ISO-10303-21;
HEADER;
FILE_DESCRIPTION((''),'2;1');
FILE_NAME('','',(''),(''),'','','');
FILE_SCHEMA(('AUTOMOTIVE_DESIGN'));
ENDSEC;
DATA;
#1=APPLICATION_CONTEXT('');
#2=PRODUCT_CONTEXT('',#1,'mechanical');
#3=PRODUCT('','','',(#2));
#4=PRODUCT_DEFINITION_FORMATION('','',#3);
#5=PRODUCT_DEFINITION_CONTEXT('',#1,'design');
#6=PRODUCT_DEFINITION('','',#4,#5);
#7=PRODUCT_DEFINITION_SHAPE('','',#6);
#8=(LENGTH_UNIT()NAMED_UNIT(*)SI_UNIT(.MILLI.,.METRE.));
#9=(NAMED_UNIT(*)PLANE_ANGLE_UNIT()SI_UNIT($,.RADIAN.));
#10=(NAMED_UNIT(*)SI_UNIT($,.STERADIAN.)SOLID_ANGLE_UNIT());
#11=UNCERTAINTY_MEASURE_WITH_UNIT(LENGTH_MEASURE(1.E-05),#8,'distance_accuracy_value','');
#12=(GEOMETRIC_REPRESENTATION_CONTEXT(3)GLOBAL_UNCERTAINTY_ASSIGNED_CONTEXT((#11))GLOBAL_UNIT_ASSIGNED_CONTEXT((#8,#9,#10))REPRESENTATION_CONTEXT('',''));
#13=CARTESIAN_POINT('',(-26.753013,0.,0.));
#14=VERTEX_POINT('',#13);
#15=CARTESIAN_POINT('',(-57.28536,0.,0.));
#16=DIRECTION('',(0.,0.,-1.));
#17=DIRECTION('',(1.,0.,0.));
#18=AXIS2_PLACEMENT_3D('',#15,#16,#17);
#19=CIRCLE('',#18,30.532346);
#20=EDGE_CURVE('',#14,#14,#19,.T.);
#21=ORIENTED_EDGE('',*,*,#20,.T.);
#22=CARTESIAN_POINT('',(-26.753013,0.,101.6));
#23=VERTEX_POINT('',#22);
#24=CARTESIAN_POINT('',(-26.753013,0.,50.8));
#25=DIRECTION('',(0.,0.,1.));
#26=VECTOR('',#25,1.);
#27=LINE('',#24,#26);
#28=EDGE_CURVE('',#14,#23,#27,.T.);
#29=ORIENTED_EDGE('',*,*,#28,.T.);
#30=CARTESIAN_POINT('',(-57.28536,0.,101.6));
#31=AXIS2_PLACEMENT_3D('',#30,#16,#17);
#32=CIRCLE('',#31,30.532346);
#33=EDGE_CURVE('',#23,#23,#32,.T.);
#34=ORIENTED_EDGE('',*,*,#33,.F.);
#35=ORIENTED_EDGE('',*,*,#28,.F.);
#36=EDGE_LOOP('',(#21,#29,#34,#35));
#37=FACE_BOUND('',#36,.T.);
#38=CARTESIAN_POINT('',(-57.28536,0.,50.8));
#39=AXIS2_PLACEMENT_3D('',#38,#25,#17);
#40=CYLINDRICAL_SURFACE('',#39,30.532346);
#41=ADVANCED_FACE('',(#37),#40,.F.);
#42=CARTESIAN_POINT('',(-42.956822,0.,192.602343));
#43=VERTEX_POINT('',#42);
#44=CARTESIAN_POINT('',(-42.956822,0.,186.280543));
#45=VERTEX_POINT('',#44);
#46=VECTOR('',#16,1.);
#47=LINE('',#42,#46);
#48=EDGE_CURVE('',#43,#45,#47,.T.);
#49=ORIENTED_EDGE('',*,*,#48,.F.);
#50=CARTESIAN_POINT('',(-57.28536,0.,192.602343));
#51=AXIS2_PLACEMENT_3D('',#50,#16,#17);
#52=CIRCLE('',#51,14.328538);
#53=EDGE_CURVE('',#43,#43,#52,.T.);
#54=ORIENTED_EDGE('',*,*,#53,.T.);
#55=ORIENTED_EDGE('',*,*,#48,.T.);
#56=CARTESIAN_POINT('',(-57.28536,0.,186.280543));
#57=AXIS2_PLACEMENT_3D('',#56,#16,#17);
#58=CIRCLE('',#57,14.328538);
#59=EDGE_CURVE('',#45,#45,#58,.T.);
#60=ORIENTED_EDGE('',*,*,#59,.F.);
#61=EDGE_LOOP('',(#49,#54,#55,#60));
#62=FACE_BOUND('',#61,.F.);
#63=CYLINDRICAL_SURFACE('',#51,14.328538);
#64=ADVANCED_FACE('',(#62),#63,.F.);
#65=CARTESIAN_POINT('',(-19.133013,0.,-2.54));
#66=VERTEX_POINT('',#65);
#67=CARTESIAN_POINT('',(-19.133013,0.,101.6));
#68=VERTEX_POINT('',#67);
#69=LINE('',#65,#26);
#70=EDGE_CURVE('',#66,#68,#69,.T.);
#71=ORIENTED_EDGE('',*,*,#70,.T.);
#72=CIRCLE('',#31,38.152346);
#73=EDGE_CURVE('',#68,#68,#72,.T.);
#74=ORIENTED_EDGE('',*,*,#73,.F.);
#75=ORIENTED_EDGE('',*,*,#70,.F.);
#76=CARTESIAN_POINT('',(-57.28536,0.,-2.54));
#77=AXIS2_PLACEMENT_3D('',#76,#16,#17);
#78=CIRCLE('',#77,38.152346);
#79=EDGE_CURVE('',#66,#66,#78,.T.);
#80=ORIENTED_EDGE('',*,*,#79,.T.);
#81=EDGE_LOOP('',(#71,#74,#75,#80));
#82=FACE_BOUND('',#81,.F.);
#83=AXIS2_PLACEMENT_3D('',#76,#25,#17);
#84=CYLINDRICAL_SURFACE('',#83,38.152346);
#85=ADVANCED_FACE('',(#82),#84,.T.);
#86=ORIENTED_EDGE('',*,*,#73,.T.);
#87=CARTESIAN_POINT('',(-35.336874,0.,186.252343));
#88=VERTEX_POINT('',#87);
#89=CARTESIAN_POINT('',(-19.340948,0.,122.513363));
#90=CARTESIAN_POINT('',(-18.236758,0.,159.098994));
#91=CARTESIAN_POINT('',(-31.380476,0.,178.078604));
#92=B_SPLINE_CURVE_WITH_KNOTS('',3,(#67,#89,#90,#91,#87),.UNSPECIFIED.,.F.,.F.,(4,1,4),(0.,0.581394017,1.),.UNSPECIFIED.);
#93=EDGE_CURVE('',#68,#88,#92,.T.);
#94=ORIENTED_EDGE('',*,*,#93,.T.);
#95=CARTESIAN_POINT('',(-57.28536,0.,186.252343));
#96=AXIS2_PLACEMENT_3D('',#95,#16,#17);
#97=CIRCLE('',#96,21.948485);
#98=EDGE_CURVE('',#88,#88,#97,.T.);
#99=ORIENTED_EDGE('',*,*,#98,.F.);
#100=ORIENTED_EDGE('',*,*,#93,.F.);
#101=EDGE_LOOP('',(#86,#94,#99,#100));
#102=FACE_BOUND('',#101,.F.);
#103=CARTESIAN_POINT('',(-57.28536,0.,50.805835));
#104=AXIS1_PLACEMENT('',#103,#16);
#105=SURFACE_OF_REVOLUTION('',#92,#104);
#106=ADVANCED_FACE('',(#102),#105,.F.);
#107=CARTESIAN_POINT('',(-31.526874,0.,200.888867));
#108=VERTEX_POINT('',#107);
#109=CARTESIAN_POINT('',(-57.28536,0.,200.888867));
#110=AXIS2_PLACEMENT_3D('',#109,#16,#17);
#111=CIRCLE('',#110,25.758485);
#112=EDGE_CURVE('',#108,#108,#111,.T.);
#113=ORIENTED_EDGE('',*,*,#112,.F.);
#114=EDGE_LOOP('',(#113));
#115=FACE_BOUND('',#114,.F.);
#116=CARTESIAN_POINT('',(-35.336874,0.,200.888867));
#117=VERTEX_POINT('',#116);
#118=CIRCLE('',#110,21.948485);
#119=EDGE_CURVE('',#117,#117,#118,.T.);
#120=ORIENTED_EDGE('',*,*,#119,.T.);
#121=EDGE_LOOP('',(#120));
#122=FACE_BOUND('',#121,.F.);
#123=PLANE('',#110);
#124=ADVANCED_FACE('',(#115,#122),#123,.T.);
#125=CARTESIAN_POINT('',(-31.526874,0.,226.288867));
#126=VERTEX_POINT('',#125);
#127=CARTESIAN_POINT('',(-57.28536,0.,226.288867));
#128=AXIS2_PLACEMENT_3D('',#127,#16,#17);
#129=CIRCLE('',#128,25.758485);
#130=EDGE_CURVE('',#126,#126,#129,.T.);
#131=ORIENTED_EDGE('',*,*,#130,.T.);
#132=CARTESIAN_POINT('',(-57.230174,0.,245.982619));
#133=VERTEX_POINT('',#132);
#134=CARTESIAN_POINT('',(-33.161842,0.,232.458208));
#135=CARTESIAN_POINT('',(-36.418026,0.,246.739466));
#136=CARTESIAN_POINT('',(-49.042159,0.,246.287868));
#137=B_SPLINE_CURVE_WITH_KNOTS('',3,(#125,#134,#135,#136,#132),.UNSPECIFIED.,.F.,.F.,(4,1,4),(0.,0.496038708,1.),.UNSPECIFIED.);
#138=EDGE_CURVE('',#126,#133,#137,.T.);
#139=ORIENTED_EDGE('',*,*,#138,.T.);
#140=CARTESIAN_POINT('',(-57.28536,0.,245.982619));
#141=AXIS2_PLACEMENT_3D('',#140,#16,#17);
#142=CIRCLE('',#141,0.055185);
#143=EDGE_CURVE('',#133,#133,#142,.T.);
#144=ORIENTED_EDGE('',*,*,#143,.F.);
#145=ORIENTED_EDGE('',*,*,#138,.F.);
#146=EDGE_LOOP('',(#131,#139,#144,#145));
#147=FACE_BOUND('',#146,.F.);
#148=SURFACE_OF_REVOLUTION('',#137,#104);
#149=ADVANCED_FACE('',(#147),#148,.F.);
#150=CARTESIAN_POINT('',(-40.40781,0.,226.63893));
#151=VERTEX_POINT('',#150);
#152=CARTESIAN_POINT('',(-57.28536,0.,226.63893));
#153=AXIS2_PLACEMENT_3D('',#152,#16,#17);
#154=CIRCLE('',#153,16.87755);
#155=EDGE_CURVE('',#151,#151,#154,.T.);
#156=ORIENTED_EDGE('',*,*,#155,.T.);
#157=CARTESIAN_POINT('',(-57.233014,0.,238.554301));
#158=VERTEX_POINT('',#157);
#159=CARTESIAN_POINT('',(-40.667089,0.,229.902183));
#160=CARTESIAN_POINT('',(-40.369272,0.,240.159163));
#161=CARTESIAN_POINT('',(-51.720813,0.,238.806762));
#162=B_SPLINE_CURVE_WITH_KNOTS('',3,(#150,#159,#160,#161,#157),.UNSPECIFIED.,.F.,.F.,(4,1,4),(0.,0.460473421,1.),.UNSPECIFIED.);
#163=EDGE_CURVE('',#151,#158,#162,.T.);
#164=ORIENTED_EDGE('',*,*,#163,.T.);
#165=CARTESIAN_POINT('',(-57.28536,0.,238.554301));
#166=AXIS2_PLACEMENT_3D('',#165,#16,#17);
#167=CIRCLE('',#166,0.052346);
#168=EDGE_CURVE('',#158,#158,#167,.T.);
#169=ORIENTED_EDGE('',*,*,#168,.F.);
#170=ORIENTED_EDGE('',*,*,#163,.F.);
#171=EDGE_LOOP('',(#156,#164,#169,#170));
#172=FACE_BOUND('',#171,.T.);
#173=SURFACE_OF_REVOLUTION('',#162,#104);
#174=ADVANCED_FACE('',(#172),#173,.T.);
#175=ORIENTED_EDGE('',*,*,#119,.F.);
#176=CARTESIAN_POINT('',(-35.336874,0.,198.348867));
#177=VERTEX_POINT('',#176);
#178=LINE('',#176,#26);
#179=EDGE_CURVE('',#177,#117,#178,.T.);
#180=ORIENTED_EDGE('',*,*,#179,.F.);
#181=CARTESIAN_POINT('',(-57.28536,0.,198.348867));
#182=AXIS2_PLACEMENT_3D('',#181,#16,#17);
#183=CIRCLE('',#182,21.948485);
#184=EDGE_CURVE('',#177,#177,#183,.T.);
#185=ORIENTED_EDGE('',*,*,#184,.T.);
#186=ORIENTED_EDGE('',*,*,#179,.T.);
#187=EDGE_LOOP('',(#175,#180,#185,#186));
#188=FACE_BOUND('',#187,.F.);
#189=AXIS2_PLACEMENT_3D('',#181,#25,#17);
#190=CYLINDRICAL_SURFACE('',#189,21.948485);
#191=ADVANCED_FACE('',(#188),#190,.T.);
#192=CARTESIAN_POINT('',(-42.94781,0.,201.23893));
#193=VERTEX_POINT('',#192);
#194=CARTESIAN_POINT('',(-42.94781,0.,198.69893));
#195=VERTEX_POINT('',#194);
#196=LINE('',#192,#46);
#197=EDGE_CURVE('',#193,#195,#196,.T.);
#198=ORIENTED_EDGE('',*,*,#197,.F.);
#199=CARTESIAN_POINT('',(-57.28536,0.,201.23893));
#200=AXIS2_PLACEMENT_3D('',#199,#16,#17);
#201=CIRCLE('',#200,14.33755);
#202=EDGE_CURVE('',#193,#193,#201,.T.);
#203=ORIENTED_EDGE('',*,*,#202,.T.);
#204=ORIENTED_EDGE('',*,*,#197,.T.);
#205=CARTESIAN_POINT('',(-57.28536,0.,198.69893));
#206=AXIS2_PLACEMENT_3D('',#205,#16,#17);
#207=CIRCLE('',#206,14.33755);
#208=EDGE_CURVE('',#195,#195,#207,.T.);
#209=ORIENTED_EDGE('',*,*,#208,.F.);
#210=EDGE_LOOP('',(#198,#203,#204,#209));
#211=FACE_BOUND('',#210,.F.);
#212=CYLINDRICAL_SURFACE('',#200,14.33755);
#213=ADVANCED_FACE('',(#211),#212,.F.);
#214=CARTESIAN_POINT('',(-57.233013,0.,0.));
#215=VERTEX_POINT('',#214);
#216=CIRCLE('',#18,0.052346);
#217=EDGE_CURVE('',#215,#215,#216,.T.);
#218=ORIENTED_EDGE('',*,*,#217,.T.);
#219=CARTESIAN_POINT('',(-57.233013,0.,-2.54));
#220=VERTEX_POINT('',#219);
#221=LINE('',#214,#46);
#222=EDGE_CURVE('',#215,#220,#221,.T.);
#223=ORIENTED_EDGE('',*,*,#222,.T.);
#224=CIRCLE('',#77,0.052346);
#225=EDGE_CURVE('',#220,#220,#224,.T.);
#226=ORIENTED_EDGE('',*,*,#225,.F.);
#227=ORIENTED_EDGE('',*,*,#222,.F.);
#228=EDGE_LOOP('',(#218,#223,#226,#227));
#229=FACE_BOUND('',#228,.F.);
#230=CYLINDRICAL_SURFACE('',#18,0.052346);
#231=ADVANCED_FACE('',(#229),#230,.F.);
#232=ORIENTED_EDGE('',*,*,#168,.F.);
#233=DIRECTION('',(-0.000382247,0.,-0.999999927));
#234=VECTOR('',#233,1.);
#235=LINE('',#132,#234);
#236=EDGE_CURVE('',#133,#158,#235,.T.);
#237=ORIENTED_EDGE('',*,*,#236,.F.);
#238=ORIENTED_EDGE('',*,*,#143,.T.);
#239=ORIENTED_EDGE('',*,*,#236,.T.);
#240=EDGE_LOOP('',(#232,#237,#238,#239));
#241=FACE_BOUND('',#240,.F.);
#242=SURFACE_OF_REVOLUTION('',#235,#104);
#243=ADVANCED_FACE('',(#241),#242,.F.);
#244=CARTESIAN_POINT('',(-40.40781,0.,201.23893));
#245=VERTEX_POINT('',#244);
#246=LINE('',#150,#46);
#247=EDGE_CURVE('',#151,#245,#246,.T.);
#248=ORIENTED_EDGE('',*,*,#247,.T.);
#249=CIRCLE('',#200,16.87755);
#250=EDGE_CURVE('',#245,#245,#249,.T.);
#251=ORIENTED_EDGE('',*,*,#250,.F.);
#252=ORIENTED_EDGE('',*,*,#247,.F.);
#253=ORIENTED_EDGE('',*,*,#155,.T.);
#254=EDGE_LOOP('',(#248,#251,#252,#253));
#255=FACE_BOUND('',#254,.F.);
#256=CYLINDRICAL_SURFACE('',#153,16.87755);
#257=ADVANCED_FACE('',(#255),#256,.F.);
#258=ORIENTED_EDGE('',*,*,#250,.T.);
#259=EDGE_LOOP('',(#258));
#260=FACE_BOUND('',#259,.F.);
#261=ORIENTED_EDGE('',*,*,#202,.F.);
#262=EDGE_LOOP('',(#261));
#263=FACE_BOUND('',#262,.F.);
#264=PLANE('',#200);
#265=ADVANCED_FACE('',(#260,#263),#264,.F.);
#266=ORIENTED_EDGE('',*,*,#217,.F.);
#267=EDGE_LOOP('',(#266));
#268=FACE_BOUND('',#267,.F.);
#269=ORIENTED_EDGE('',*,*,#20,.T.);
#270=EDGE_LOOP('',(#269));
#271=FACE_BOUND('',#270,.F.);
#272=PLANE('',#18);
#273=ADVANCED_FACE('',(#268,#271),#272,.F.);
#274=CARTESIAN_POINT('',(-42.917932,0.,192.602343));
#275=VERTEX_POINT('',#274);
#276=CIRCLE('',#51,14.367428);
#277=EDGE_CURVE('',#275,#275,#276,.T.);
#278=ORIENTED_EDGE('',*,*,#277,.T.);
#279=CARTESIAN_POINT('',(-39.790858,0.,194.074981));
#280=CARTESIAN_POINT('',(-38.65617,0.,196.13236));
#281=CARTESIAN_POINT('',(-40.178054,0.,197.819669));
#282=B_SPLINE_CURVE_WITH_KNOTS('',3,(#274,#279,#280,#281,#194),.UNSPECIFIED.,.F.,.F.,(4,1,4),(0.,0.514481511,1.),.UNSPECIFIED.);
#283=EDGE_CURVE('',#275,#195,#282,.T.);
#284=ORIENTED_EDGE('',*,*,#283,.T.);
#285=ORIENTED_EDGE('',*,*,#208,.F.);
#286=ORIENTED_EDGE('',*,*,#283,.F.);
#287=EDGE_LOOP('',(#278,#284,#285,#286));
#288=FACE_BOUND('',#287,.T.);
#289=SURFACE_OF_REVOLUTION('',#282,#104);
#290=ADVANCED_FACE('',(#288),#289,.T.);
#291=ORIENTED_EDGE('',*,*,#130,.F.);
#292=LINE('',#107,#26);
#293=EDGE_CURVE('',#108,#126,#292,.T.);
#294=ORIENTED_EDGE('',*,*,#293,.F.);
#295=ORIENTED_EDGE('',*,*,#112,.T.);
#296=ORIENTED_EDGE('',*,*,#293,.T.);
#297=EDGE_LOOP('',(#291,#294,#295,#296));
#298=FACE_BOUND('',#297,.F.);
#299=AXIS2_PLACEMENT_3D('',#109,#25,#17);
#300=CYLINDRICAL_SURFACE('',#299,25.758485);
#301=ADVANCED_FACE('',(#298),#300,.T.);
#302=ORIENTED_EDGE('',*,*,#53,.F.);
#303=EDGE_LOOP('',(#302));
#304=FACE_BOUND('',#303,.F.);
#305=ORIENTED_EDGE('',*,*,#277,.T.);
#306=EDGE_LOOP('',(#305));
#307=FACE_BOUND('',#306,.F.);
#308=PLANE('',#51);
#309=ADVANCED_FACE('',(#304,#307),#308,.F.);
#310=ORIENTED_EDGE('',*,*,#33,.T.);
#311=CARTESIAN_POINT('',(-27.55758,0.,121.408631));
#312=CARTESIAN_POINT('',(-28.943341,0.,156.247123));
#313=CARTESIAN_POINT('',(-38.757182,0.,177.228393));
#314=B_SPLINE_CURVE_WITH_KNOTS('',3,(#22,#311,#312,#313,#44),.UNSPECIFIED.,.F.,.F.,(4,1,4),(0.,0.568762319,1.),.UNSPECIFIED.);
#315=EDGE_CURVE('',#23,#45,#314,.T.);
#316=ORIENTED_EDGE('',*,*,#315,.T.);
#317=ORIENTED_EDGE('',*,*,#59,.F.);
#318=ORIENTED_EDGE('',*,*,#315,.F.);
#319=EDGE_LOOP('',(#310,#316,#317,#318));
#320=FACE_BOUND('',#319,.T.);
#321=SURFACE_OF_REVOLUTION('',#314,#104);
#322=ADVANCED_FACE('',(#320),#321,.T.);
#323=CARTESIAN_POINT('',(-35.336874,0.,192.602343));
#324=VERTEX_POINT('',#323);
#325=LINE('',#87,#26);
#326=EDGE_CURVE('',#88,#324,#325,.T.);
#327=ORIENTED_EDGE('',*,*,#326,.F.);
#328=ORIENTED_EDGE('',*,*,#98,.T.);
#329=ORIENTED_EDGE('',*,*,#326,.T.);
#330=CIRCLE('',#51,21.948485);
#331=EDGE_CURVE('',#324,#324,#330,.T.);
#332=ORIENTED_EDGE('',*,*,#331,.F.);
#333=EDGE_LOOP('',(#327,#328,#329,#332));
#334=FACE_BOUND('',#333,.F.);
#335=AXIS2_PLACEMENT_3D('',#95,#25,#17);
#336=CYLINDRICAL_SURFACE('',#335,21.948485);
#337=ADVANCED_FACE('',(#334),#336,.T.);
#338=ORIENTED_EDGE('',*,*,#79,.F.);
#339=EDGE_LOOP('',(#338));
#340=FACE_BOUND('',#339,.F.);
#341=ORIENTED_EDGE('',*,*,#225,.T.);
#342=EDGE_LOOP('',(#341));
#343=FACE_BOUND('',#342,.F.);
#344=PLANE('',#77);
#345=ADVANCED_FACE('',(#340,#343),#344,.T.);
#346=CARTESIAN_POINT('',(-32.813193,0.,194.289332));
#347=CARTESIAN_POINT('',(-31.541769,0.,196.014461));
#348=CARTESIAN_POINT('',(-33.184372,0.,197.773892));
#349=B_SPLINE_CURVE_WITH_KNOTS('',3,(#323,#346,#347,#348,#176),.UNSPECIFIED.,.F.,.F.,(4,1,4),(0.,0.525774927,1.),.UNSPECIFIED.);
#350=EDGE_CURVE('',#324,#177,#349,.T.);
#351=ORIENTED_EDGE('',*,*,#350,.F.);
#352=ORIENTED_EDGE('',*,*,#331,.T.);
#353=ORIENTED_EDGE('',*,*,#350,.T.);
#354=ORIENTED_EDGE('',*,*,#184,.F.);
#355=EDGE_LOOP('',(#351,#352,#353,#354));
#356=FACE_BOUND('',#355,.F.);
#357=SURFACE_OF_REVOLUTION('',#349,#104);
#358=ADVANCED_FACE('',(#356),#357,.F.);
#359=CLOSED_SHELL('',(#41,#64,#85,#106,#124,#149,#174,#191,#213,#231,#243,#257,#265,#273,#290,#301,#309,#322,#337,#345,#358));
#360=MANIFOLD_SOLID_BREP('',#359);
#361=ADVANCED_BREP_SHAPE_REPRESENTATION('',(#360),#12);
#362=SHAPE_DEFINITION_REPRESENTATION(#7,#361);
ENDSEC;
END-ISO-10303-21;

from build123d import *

# Parameters (mm, degrees)
F0_W = 7.62
F0_H = 101.6


with BuildPart() as f1:
    # F0 (on Front) → F1 (revolve)
    with BuildSketch(Plane.XZ):
        Polygon((-19.1330132127, -2.54), (-19.1330132127, 0), (-26.7530132127, 0), (-57.2330132127, 0), (-57.2330132127, -2.54), align=None)
        with BuildLine():
            Line((-42.9179315076, 192.6023430765), (-35.3368741839, 192.6023430765))
            add(Edge.make_bspline(
                [(-35.3368741839, 192.6023430765), (-32.8131928146, 194.2893316173), (-31.541768763, 196.0144606234), (-33.1843715155, 197.773891592), (-35.3368741839, 198.3488668733)],
                knots=[0, 0, 0, 0, 0.5257749267, 1, 1, 1, 1], degree=3))
            Line((-35.3368741839, 198.3488668733), (-35.3368741839, 200.8888668733))
            Line((-35.3368741839, 200.8888668733), (-31.5268741839, 200.8888668733))
            Line((-31.5268741839, 200.8888668733), (-31.5268741839, 226.2888668733))
            add(Edge.make_bspline(
                [(-31.5268741839, 226.2888668733), (-33.1618418293, 232.4582076523), (-36.4180263095, 246.7394663346), (-49.0421594933, 246.2878677466), (-57.2301743011, 245.9826194798)],
                knots=[0, 0, 0, 0, 0.4960387081, 1, 1, 1, 1], degree=3))
            Line((-57.2301743011, 245.9826194798), (-57.2330137536, 238.5543014282))
            add(Edge.make_bspline(
                [(-40.4078099513, 226.6389302265), (-40.6670888955, 229.9021829147), (-40.3692718132, 240.1591629671), (-51.7208132672, 238.8067618513), (-57.2330137536, 238.5543014282)],
                knots=[0, 0, 0, 0, 0.4604734211, 1, 1, 1, 1], degree=3))
            Line((-40.4078099513, 226.6389302265), (-40.4078099513, 201.2389302265))
            Line((-40.4078099513, 201.2389302265), (-42.9478099513, 201.2389302265))
            Line((-42.9478099513, 201.2389302265), (-42.9478099513, 198.6989302265))
            add(Edge.make_bspline(
                [(-42.9179315076, 192.6023430765), (-39.7908584911, 194.0749807548), (-38.656170298, 196.1323598878), (-40.1780539462, 197.8196685486), (-42.9478099513, 198.6989302265)],
                knots=[0, 0, 0, 0, 0.514481511, 1, 1, 1, 1], degree=3))
        make_face()
        with Locations((-22.9430132127, 50.8)):
            Rectangle(F0_W, F0_H)
        with BuildLine():
            Line((-26.7530132127, 101.6), (-19.1330132127, 101.6))
            add(Edge.make_bspline(
                [(-19.1330132127, 101.6), (-19.3409478241, 122.5133627058), (-18.236757861, 159.0989943609), (-31.3804759961, 178.0786040404), (-35.3368741839, 186.2523430765)],
                knots=[0, 0, 0, 0, 0.5813940172, 1, 1, 1, 1], degree=3))
            Line((-35.3368741839, 186.2523430765), (-42.9568220011, 186.2805434851))
            add(Edge.make_bspline(
                [(-26.7530132127, 101.6), (-27.557580246, 121.4086314164), (-28.9433408157, 156.2471227106), (-38.7571823266, 177.2283930157), (-42.9568220011, 186.2805434851)],
                knots=[0, 0, 0, 0, 0.5687623185, 1, 1, 1, 1], degree=3))
        make_face()
        Polygon((-42.9568220011, 186.2805434851), (-35.3368741839, 186.2523430765), (-35.3368741839, 192.6023430765), (-42.9179315076, 192.6023430765), (-42.9568220011, 192.6023430765), align=None)
    revolve(axis=Axis((-57.2853596672, 0, 50.8058354494), (0, 0, -1)))


solid = f1.part
